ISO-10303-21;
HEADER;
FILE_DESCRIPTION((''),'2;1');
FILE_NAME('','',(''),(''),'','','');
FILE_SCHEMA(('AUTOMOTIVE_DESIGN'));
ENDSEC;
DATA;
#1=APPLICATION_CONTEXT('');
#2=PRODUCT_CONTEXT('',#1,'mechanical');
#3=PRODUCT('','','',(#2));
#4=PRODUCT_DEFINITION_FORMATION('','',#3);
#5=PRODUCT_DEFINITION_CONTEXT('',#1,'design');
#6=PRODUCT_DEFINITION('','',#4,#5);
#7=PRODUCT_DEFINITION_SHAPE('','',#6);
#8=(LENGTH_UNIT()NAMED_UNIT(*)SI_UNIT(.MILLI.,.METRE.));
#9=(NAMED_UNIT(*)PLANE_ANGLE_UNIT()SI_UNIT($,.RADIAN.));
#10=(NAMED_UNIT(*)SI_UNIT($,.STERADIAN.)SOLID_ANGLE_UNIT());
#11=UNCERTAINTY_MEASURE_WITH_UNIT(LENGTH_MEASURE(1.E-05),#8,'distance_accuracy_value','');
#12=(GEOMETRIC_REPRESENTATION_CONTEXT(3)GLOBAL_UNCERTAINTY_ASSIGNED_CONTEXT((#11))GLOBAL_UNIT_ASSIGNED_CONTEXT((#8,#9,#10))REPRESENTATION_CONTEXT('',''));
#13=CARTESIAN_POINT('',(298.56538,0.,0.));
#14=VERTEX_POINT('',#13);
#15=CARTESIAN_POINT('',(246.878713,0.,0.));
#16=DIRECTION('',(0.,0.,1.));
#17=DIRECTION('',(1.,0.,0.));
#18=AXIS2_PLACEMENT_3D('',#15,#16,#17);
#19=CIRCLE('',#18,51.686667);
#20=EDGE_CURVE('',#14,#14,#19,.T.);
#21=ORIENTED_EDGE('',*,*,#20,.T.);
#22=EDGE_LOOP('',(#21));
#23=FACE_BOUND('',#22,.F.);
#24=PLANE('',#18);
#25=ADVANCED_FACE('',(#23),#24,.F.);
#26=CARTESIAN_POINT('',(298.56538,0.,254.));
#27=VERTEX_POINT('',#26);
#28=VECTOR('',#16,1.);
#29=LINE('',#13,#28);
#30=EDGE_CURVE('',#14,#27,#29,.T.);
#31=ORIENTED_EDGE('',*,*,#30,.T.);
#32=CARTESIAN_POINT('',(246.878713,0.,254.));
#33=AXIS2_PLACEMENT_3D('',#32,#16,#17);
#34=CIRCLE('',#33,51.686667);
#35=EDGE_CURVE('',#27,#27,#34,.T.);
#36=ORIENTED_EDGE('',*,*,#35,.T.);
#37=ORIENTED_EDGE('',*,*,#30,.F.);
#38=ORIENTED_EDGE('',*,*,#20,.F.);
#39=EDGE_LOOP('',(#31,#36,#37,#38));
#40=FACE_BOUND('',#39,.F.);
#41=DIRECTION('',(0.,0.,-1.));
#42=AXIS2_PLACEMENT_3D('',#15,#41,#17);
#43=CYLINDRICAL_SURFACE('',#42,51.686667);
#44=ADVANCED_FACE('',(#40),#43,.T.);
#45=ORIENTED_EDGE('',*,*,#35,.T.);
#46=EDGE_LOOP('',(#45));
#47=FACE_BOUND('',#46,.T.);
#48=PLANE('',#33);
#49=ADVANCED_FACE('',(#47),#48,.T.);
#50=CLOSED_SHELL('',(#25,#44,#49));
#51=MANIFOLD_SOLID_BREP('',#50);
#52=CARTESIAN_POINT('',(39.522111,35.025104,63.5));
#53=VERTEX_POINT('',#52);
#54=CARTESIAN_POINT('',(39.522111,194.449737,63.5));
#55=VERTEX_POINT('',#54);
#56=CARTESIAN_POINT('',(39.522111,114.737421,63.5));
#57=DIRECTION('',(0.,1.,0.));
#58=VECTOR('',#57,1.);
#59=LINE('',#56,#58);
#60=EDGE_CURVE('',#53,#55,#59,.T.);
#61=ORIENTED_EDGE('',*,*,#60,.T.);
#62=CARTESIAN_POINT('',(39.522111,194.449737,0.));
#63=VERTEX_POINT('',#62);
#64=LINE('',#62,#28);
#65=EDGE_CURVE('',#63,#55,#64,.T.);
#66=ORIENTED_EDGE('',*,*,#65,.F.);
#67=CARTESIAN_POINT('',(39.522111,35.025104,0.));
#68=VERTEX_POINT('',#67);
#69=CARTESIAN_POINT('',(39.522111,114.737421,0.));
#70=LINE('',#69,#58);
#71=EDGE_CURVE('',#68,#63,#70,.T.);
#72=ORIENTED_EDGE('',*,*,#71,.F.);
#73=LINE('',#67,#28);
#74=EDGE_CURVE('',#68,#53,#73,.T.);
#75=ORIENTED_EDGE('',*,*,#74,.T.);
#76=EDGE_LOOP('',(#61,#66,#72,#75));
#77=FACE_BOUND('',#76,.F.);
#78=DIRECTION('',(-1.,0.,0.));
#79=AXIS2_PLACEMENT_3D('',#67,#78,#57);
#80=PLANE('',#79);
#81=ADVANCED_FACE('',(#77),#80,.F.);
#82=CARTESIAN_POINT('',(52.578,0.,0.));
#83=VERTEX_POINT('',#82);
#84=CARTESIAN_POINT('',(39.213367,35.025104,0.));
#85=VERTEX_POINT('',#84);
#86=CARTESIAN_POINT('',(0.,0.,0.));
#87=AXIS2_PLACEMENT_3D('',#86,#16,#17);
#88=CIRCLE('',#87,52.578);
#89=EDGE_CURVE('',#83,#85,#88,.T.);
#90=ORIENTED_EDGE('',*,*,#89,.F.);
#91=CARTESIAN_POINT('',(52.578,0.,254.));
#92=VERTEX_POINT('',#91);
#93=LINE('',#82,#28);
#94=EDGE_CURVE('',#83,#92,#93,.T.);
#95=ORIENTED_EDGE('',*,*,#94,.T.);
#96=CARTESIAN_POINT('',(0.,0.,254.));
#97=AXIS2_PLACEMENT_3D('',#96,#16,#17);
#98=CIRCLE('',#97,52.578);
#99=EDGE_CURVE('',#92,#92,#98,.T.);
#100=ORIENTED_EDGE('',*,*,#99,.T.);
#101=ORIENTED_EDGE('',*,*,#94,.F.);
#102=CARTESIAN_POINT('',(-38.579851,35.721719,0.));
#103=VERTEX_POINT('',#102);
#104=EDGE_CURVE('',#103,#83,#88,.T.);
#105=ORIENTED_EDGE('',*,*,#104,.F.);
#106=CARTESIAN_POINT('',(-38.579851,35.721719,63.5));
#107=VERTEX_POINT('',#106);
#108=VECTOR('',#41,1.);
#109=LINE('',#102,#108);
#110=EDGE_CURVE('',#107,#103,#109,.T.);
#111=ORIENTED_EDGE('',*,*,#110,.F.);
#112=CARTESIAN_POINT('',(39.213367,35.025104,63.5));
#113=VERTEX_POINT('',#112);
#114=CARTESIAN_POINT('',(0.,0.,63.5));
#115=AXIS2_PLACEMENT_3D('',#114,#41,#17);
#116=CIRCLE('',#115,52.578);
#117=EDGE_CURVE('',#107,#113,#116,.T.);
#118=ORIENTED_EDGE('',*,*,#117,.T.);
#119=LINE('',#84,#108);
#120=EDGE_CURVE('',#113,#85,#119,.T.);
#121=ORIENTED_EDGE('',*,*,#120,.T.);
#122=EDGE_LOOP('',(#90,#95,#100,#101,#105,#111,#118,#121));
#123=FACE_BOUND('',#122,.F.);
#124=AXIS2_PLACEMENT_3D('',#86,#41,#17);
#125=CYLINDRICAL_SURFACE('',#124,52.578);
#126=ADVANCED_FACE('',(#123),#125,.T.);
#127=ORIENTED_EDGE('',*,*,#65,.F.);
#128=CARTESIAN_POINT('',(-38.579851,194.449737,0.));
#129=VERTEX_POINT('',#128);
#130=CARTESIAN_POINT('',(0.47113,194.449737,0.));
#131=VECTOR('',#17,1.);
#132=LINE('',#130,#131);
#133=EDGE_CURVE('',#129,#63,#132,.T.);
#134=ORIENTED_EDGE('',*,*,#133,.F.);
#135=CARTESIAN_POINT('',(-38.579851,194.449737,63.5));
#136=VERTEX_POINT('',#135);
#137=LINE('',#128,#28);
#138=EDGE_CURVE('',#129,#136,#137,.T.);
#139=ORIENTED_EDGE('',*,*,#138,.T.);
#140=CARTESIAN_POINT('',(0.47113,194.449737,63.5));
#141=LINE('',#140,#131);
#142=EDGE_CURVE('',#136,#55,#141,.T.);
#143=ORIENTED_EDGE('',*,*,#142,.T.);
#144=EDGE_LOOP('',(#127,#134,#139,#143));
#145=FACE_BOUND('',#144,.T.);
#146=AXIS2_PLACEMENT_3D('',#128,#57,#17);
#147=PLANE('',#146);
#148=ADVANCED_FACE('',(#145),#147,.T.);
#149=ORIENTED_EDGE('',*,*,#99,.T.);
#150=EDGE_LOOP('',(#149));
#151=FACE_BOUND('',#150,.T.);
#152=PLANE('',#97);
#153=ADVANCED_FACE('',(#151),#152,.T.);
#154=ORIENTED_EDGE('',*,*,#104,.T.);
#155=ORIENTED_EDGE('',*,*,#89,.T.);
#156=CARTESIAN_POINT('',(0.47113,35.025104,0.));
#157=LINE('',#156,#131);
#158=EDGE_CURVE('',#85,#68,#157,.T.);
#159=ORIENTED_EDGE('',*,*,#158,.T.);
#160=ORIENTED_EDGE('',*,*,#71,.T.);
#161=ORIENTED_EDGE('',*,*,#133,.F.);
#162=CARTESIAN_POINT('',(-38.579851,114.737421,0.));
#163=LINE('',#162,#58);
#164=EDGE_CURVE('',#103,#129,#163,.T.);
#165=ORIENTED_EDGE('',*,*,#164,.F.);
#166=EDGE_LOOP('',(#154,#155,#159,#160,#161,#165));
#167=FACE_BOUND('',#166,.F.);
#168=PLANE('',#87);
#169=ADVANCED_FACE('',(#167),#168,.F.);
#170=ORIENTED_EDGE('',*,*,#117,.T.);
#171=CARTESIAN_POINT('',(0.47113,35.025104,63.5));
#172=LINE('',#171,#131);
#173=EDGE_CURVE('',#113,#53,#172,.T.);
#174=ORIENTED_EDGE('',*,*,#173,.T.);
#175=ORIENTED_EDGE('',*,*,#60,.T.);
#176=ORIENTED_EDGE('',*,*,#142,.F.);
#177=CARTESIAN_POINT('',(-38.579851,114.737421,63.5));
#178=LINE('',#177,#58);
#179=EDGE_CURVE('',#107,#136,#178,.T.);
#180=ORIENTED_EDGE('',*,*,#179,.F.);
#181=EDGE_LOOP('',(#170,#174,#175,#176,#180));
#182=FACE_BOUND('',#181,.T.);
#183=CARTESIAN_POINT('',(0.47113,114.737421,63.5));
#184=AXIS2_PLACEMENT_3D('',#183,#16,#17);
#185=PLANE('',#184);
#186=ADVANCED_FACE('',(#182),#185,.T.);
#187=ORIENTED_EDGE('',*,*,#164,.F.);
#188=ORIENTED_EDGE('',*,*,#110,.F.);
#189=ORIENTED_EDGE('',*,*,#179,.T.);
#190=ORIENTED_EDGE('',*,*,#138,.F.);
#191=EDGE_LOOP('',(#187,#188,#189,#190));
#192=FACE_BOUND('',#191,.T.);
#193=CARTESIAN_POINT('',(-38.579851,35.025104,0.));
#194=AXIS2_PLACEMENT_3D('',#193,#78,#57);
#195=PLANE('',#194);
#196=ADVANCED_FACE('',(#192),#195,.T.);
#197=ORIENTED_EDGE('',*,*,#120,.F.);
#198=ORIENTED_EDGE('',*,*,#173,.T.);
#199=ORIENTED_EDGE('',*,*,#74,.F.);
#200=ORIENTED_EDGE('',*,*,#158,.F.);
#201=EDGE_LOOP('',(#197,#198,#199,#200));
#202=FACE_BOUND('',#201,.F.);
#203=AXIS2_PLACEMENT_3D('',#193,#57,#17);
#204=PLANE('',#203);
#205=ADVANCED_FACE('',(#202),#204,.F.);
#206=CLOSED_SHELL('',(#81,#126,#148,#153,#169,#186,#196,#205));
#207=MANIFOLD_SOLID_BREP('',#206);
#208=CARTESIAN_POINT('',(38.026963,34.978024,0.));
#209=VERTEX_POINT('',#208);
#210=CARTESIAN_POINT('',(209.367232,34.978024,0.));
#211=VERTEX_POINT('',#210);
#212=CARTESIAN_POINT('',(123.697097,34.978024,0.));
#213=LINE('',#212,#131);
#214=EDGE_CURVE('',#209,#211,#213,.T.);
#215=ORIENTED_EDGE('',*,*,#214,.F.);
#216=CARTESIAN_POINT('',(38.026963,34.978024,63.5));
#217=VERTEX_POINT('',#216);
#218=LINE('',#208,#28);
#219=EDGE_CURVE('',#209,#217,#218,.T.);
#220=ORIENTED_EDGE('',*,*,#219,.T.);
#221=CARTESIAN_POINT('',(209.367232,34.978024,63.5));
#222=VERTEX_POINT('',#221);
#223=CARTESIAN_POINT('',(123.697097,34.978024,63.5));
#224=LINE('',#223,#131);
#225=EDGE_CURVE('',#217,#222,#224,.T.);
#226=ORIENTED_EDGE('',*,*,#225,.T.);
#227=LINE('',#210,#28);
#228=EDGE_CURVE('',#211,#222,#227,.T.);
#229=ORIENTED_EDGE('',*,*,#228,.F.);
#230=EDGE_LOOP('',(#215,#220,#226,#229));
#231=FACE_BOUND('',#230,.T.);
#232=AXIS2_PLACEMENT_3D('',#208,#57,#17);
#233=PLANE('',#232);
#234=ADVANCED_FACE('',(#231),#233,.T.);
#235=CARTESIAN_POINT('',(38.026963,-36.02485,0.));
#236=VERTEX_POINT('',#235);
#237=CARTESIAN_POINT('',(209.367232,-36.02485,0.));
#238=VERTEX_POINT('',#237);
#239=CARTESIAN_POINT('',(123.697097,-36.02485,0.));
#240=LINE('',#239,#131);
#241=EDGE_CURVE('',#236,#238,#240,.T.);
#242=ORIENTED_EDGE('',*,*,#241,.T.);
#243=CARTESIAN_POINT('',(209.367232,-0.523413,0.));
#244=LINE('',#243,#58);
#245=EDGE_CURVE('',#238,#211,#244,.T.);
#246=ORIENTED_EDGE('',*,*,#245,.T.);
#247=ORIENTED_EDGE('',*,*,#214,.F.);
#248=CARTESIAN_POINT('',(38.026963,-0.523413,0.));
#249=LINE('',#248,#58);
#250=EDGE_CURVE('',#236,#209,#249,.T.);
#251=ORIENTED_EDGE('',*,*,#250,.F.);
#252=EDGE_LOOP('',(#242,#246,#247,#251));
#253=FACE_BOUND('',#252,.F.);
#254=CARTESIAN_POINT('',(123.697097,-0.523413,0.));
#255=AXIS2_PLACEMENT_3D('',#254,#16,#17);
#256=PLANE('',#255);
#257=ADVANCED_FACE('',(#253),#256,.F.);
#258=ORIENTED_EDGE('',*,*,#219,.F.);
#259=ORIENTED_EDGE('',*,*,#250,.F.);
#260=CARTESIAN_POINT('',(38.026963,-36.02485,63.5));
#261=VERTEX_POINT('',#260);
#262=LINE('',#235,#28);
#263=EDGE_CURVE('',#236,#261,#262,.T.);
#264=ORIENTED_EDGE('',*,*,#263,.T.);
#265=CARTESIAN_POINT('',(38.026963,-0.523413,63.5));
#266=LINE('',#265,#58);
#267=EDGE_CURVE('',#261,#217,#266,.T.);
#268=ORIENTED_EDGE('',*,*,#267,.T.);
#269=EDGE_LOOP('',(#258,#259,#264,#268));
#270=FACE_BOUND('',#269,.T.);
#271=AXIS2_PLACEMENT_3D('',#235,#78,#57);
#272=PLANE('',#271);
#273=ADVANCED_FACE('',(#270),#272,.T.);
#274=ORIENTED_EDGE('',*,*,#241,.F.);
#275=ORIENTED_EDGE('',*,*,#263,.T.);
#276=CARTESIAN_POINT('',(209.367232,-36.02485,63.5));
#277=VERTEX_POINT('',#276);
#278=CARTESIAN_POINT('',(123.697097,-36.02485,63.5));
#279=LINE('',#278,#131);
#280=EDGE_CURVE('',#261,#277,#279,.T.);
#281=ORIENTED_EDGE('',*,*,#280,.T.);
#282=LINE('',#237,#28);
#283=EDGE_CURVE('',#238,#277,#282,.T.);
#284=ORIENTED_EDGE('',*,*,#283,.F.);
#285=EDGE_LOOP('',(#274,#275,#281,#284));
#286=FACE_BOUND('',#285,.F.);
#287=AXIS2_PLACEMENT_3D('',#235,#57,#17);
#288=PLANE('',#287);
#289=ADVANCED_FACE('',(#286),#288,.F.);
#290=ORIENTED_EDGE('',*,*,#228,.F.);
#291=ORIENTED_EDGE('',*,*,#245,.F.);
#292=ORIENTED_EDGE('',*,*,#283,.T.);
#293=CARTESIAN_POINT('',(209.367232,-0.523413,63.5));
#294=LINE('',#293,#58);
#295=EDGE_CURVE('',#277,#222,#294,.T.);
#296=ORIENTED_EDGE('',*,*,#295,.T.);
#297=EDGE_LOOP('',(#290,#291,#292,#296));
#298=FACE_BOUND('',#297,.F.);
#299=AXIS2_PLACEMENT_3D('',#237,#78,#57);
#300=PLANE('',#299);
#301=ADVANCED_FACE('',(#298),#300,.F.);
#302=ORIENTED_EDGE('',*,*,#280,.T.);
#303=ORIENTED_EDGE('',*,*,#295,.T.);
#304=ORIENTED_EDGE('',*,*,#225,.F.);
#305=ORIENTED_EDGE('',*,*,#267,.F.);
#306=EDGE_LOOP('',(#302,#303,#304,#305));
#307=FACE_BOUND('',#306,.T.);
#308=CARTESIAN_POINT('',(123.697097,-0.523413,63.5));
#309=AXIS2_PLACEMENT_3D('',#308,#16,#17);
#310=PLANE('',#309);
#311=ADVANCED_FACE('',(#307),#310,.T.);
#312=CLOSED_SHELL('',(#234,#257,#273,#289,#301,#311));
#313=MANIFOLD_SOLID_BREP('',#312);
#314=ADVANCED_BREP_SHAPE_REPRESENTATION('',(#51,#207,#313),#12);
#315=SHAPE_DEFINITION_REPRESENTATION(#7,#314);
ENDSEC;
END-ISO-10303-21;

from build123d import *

# Parameters (mm, degrees)
F0_R     = 52.578
F1_DEPTH = 254
F2_R     = 51.686667
F3_DEPTH = 254
F4_W     = 171.340269
F4_H     = 71.002875
F5_DEPTH = 63.5
F6_W     = 78.101962
F6_H     = 159.424633
F7_DEPTH = 63.5


with BuildPart() as f1:
    # F0 (on Top) → F1 (new body)
    with BuildSketch(Plane.XY):
        Circle(F0_R)
    extrude(amount=F1_DEPTH)

    # F6 (on Top) → F7 (join)
    with BuildSketch(Plane.XY):
        with Locations((0.47113, 114.737421)):
            Rectangle(F6_W, F6_H)
    extrude(amount=F7_DEPTH)


with BuildPart() as f3:
    # F2 (on Top) → F3 (new body)
    with BuildSketch(Plane.XY):
        with Locations((246.878713, 0)):
            Circle(F2_R)
    extrude(amount=F3_DEPTH)


with BuildPart() as f5:
    # F4 (on Top) → F5 (new body)
    with BuildSketch(Plane.XY):
        with Locations((123.697097, -0.523413)):
            Rectangle(F4_W, F4_H)
    extrude(amount=F5_DEPTH)


solid = Compound([f1.part, f3.part, f5.part])
